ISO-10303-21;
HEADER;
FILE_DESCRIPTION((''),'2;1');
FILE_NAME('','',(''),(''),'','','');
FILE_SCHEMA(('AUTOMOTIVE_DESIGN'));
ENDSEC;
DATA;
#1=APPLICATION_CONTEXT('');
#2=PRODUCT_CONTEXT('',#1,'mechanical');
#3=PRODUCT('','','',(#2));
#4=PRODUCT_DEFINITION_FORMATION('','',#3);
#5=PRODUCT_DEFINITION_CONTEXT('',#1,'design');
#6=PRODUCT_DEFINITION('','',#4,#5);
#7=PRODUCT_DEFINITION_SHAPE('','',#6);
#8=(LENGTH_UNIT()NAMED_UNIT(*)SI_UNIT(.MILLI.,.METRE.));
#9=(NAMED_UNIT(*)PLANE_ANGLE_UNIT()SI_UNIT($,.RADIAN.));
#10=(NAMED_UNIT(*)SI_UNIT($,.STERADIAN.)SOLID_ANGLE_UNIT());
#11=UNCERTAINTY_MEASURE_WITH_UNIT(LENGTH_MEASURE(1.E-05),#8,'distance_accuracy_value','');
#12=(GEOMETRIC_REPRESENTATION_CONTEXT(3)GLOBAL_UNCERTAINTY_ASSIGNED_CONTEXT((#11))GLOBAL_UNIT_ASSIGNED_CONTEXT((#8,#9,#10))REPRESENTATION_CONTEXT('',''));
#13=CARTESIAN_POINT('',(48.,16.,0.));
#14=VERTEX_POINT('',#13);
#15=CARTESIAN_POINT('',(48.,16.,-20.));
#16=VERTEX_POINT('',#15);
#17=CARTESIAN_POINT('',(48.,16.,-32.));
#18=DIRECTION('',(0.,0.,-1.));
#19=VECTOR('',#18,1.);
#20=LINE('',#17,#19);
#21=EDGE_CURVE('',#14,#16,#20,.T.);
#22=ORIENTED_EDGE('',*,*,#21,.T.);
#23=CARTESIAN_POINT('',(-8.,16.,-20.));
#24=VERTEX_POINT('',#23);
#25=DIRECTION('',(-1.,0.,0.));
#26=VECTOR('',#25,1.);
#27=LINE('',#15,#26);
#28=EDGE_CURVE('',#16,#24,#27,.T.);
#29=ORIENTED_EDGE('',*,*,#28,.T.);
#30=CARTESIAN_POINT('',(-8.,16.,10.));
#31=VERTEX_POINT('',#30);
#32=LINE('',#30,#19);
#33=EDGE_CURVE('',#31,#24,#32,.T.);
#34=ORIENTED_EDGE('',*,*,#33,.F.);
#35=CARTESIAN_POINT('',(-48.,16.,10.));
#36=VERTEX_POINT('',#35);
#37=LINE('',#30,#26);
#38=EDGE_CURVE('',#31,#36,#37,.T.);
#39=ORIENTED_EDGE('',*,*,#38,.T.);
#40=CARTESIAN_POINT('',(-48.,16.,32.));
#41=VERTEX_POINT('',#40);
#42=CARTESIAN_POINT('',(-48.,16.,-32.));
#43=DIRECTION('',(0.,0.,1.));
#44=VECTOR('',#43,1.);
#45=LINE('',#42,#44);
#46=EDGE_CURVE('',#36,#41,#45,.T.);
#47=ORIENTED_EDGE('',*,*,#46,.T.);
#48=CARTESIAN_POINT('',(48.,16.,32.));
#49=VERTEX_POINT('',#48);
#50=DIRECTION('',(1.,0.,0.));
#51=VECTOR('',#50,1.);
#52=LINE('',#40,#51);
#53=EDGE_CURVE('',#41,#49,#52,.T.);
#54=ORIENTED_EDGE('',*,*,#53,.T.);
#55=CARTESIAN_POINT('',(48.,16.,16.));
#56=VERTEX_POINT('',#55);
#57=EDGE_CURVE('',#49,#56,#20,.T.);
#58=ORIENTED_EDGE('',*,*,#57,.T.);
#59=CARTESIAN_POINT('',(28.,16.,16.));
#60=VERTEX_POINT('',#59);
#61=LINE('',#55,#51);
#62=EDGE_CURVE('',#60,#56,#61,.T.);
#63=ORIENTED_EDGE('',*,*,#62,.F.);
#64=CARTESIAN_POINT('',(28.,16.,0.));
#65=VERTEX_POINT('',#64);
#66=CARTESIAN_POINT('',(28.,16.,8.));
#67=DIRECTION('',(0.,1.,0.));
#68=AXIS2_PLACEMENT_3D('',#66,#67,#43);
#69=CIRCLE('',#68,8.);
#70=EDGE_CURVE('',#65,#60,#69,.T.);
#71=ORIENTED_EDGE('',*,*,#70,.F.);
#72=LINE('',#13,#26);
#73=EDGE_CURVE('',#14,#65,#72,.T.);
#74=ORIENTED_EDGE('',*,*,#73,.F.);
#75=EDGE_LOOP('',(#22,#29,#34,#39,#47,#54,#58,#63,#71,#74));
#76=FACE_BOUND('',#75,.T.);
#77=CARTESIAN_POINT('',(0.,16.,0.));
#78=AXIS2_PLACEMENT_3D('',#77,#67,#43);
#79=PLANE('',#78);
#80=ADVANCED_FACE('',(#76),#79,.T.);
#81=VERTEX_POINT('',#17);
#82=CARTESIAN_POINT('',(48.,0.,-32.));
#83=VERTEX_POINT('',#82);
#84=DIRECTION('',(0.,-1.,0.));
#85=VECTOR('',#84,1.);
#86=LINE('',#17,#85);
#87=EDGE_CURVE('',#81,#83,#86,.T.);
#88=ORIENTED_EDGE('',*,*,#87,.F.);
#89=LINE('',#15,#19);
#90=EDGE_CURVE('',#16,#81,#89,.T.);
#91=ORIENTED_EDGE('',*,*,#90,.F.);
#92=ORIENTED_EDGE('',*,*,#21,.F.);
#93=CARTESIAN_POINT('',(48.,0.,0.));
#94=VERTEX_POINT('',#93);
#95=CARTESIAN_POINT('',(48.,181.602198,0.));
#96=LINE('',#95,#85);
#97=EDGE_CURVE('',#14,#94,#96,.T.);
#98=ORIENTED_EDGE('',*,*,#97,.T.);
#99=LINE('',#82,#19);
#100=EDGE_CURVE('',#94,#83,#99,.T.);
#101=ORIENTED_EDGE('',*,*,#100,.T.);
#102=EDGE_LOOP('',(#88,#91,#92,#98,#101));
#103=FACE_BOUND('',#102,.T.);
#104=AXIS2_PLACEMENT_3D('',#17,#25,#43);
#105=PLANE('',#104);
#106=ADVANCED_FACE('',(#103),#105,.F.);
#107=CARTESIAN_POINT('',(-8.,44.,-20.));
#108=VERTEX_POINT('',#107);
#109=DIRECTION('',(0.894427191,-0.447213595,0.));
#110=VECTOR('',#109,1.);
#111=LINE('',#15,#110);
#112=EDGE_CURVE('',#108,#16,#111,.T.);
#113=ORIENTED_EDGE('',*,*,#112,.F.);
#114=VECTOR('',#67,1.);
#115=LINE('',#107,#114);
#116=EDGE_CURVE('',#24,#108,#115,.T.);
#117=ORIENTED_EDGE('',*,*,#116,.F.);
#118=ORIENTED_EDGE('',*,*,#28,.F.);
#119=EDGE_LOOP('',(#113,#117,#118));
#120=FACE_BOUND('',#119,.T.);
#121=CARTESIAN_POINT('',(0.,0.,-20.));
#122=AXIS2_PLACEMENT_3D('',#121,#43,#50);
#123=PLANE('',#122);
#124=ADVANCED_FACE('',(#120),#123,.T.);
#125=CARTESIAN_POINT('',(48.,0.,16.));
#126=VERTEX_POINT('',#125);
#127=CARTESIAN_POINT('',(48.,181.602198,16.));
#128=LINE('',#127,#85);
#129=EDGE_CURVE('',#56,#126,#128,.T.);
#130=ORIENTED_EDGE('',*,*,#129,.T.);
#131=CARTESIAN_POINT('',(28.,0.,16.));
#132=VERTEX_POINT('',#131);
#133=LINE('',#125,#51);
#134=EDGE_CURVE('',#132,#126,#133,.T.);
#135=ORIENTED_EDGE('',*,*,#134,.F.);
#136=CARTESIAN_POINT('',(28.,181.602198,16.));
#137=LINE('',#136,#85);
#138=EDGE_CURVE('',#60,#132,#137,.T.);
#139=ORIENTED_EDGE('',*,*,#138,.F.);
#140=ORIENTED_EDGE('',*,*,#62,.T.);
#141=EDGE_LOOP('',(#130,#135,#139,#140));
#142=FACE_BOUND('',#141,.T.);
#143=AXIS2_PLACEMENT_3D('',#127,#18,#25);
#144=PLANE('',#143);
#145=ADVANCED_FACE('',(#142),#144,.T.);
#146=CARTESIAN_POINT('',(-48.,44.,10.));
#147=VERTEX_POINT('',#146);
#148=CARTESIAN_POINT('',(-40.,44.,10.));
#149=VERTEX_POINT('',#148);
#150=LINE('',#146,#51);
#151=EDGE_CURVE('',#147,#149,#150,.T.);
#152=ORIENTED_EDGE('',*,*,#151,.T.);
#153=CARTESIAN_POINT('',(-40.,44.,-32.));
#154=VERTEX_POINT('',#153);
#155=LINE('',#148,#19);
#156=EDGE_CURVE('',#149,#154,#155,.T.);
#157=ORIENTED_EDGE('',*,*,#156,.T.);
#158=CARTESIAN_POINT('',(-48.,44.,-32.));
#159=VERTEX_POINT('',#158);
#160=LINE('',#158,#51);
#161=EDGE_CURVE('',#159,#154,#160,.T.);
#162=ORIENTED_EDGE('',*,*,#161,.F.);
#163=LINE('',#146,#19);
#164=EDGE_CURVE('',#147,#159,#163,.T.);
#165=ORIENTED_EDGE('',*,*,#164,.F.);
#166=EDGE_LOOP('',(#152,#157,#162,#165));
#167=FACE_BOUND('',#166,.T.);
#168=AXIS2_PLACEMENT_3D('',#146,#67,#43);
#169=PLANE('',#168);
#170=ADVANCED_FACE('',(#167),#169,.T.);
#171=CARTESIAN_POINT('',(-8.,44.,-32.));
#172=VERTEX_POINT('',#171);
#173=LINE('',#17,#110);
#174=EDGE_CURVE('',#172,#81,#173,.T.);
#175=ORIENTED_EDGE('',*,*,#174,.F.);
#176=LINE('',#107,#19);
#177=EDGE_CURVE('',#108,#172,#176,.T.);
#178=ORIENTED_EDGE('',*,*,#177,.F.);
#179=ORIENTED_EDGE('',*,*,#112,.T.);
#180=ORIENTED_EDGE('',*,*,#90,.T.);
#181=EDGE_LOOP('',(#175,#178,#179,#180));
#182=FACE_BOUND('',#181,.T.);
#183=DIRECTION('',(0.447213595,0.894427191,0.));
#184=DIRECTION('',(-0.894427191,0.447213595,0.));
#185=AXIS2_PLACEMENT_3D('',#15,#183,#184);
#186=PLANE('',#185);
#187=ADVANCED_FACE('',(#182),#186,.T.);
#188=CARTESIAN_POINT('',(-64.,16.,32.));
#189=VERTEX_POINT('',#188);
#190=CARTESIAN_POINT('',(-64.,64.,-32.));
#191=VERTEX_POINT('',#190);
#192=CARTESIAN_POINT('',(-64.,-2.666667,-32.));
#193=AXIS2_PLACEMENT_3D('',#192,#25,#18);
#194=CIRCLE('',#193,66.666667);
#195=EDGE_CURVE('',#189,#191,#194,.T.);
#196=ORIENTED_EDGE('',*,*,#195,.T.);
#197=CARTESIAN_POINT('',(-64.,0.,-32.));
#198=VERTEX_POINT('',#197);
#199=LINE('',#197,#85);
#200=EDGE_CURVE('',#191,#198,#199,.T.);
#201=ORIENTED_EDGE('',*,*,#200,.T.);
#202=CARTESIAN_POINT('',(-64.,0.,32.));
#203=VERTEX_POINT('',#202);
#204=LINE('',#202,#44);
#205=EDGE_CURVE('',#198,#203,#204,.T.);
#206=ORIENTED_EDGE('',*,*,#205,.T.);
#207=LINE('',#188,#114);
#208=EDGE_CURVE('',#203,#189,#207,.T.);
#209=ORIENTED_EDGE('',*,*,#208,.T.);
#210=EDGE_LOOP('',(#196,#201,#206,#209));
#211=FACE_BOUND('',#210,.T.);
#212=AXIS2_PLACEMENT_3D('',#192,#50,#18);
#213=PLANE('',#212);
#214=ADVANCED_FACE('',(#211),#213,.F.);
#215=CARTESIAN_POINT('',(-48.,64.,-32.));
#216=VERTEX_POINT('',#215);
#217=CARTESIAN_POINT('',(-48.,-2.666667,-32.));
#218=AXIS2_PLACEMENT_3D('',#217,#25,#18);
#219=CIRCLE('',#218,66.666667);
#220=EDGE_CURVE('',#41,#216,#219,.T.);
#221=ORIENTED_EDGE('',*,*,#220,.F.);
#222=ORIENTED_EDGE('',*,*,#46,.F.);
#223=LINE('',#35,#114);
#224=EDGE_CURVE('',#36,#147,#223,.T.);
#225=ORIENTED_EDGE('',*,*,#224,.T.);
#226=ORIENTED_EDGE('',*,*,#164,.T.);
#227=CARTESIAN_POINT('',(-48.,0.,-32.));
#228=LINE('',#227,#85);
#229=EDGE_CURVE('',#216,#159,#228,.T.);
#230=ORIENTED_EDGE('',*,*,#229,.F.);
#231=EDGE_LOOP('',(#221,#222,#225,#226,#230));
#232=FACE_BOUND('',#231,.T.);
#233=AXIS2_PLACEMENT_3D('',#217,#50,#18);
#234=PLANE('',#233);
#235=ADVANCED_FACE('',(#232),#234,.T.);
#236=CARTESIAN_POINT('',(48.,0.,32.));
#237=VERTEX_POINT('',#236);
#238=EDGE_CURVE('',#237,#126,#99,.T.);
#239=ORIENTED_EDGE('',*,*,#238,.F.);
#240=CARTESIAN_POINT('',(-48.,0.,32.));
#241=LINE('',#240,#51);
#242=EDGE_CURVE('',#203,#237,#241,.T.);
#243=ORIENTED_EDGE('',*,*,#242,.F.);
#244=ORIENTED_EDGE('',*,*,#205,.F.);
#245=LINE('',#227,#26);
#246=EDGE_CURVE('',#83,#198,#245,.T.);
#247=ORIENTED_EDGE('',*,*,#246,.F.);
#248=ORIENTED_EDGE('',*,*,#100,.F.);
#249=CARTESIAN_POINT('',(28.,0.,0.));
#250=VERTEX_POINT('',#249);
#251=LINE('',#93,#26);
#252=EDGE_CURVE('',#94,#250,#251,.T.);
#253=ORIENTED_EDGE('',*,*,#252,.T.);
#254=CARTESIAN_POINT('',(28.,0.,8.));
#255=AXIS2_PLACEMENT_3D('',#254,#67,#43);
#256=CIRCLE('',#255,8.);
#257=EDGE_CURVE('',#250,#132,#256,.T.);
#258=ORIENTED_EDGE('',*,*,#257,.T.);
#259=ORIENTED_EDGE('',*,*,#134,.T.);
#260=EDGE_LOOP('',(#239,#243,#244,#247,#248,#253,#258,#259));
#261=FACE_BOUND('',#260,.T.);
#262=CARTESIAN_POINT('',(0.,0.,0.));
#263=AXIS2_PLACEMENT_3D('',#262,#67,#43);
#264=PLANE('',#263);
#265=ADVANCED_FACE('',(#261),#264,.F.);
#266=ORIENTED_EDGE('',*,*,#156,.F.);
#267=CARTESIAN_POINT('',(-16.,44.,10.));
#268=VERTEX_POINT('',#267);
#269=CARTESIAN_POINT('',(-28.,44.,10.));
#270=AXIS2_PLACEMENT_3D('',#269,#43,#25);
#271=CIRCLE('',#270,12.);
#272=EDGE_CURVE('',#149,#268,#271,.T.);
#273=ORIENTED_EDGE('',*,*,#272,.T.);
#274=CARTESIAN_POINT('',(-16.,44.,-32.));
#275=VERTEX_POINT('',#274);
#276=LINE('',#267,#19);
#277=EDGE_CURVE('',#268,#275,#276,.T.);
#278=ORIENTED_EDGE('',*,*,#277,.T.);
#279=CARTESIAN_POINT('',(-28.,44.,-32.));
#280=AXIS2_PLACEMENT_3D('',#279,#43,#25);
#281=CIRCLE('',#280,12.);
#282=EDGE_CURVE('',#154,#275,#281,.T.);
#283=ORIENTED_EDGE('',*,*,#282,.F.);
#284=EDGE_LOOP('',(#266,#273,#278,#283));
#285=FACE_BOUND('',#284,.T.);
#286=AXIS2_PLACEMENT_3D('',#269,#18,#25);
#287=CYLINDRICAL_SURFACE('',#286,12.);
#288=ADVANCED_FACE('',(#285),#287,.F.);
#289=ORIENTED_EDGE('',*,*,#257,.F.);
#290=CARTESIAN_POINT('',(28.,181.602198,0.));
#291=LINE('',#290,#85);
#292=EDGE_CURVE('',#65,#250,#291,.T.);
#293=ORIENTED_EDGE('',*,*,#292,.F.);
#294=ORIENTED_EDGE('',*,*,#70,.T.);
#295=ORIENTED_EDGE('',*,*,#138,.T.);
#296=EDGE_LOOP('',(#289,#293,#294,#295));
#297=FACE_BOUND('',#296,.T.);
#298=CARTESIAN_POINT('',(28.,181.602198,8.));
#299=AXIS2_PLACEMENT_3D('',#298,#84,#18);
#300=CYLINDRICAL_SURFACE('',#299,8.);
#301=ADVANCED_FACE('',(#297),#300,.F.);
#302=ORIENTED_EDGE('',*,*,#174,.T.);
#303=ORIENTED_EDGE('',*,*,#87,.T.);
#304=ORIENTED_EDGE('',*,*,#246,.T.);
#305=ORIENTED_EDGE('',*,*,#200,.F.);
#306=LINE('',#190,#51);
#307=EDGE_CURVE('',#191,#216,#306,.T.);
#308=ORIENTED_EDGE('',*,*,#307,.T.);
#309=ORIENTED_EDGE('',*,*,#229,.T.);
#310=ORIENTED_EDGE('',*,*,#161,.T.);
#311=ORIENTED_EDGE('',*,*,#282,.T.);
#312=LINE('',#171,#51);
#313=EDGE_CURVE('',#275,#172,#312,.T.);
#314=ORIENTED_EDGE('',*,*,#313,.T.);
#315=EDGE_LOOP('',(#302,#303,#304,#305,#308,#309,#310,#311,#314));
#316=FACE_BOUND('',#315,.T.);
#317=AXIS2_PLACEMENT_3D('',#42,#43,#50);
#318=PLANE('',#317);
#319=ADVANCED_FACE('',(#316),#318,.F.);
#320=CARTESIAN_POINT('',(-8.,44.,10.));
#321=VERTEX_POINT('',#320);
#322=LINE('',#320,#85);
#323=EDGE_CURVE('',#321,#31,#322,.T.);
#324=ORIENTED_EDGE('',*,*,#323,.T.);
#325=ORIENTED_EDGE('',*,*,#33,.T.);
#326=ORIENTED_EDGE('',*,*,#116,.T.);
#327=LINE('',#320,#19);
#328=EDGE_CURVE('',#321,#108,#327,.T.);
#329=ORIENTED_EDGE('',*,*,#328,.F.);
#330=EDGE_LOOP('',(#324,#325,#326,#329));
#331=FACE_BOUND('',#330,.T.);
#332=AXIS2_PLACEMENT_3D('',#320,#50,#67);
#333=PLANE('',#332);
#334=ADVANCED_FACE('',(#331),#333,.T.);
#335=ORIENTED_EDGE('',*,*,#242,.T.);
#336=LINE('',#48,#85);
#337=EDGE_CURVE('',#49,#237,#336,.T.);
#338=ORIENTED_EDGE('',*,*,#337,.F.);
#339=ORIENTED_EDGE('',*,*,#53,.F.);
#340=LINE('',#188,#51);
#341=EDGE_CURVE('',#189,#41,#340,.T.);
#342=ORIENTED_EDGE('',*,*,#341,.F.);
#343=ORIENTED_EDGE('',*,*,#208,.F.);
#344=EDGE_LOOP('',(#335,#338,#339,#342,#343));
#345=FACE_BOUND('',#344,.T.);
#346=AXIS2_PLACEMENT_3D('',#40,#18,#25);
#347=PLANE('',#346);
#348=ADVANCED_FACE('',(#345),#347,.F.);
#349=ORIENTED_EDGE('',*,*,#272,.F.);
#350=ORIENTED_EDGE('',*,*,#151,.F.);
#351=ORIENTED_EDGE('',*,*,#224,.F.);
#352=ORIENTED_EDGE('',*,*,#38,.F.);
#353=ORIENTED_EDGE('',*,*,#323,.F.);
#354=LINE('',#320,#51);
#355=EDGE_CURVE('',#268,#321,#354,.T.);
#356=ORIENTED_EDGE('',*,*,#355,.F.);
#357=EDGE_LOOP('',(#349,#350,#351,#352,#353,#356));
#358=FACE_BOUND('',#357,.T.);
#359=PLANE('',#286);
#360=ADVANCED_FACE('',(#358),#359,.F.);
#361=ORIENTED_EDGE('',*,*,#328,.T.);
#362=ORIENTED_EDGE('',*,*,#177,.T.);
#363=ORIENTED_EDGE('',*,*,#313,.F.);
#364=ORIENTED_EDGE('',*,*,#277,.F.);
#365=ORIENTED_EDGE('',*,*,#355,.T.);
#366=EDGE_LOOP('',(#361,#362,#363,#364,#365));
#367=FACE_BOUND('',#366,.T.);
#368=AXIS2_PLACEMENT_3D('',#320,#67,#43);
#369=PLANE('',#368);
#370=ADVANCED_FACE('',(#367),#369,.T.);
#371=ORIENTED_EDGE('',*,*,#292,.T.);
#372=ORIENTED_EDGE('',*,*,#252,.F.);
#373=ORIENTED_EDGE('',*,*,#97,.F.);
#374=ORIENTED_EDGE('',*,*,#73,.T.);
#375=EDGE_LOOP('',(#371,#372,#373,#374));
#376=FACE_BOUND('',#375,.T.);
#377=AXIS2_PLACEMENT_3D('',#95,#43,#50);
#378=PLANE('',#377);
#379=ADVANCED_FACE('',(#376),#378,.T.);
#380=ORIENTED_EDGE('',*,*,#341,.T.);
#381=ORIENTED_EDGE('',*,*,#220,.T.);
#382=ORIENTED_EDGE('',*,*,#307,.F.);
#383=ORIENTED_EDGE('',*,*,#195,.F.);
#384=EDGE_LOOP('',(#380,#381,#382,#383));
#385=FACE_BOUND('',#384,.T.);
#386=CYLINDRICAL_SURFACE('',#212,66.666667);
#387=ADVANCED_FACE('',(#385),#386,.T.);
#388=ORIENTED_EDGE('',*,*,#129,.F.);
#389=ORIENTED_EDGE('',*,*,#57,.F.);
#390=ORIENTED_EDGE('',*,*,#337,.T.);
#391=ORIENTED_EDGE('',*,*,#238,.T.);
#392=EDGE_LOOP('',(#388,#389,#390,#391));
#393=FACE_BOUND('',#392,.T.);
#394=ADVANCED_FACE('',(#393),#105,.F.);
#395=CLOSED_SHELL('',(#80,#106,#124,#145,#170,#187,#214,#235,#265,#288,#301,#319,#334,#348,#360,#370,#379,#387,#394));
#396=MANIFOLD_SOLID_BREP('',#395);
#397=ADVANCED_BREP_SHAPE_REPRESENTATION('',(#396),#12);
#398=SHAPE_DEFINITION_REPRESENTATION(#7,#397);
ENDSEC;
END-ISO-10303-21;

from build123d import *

# Parameters (mm, degrees)
SKETCH1_W               = 96
SKETCH1_H               = 64
BOSS_EXTRUDE1_DEPTH     = 16
CUT_EXTRUDE1_DEPTH      = 60.866518188
CUT_EXTRUDE1_DEPTH_BACK = 16
BOSS_EXTRUDE3_DEPTH     = 12
BOSS_EXTRUDE4_DEPTH     = 42
BOSS_EXTRUDE6_DEPTH     = 16


with BuildPart() as part:
    # Sketch1 → Boss-Extrude1 (new body)
    with BuildSketch(Plane(origin=(0, 0, 0), x_dir=(1, 0, 0), z_dir=(0, 1, 0))):
        Rectangle(SKETCH1_W, SKETCH1_H)
    extrude(amount=BOSS_EXTRUDE1_DEPTH)

    # Sketch2 → Cut-Extrude1 (cut, two sides: drawn at the far end of the back side and taken through both)
    with BuildSketch(Plane(origin=(0, 16, 0), x_dir=(1, 0, 0), z_dir=(0, 1, 0)).offset(-CUT_EXTRUDE1_DEPTH_BACK)):
        with BuildLine():
            Line((28, -16), (48, -16))
            Line((48, -16), (48, 0))
            Line((48, 0), (28, 0))
            ThreePointArc((28, 0), (20, -8), (28, -16))
        make_face()
    extrude(amount=CUT_EXTRUDE1_DEPTH + CUT_EXTRUDE1_DEPTH_BACK, mode=Mode.SUBTRACT)

    # Sketch3 → Boss-Extrude3 (add)
    with BuildSketch(Plane(origin=(0, 0, -32), x_dir=(-1, 0, 0), z_dir=(0, 0, -1))):
        Polygon((-48, 16), (8, 44), (8, 16), align=None)
    extrude(amount=-BOSS_EXTRUDE3_DEPTH)

    # Sketch4 → Boss-Extrude4 (add)
    with BuildSketch(Plane(origin=(0, 0, -32), x_dir=(-1, 0, 0), z_dir=(0, 0, -1))):
        with BuildLine():
            Line((8, 44), (16, 44))
            ThreePointArc((16, 44), (28, 32), (40, 44))
            Line((40, 44), (48, 44))
            Line((48, 44), (48, 16))
            Line((48, 16), (8, 16))
            Line((8, 16), (8, 44))
        make_face()
    extrude(amount=-BOSS_EXTRUDE4_DEPTH)

    # Sketch6 → Boss-Extrude6 (add)
    with BuildSketch(Plane.ZY.offset(48)):
        with BuildLine():
            Line((-32, 0), (-32, 64))
            ThreePointArc((-32, 64), (8, 50.666666667), (32, 16))
            Line((32, 16), (32, 0))
            Line((32, 0), (-32, 0))
        make_face()
    extrude(amount=BOSS_EXTRUDE6_DEPTH)


solid = part.part
